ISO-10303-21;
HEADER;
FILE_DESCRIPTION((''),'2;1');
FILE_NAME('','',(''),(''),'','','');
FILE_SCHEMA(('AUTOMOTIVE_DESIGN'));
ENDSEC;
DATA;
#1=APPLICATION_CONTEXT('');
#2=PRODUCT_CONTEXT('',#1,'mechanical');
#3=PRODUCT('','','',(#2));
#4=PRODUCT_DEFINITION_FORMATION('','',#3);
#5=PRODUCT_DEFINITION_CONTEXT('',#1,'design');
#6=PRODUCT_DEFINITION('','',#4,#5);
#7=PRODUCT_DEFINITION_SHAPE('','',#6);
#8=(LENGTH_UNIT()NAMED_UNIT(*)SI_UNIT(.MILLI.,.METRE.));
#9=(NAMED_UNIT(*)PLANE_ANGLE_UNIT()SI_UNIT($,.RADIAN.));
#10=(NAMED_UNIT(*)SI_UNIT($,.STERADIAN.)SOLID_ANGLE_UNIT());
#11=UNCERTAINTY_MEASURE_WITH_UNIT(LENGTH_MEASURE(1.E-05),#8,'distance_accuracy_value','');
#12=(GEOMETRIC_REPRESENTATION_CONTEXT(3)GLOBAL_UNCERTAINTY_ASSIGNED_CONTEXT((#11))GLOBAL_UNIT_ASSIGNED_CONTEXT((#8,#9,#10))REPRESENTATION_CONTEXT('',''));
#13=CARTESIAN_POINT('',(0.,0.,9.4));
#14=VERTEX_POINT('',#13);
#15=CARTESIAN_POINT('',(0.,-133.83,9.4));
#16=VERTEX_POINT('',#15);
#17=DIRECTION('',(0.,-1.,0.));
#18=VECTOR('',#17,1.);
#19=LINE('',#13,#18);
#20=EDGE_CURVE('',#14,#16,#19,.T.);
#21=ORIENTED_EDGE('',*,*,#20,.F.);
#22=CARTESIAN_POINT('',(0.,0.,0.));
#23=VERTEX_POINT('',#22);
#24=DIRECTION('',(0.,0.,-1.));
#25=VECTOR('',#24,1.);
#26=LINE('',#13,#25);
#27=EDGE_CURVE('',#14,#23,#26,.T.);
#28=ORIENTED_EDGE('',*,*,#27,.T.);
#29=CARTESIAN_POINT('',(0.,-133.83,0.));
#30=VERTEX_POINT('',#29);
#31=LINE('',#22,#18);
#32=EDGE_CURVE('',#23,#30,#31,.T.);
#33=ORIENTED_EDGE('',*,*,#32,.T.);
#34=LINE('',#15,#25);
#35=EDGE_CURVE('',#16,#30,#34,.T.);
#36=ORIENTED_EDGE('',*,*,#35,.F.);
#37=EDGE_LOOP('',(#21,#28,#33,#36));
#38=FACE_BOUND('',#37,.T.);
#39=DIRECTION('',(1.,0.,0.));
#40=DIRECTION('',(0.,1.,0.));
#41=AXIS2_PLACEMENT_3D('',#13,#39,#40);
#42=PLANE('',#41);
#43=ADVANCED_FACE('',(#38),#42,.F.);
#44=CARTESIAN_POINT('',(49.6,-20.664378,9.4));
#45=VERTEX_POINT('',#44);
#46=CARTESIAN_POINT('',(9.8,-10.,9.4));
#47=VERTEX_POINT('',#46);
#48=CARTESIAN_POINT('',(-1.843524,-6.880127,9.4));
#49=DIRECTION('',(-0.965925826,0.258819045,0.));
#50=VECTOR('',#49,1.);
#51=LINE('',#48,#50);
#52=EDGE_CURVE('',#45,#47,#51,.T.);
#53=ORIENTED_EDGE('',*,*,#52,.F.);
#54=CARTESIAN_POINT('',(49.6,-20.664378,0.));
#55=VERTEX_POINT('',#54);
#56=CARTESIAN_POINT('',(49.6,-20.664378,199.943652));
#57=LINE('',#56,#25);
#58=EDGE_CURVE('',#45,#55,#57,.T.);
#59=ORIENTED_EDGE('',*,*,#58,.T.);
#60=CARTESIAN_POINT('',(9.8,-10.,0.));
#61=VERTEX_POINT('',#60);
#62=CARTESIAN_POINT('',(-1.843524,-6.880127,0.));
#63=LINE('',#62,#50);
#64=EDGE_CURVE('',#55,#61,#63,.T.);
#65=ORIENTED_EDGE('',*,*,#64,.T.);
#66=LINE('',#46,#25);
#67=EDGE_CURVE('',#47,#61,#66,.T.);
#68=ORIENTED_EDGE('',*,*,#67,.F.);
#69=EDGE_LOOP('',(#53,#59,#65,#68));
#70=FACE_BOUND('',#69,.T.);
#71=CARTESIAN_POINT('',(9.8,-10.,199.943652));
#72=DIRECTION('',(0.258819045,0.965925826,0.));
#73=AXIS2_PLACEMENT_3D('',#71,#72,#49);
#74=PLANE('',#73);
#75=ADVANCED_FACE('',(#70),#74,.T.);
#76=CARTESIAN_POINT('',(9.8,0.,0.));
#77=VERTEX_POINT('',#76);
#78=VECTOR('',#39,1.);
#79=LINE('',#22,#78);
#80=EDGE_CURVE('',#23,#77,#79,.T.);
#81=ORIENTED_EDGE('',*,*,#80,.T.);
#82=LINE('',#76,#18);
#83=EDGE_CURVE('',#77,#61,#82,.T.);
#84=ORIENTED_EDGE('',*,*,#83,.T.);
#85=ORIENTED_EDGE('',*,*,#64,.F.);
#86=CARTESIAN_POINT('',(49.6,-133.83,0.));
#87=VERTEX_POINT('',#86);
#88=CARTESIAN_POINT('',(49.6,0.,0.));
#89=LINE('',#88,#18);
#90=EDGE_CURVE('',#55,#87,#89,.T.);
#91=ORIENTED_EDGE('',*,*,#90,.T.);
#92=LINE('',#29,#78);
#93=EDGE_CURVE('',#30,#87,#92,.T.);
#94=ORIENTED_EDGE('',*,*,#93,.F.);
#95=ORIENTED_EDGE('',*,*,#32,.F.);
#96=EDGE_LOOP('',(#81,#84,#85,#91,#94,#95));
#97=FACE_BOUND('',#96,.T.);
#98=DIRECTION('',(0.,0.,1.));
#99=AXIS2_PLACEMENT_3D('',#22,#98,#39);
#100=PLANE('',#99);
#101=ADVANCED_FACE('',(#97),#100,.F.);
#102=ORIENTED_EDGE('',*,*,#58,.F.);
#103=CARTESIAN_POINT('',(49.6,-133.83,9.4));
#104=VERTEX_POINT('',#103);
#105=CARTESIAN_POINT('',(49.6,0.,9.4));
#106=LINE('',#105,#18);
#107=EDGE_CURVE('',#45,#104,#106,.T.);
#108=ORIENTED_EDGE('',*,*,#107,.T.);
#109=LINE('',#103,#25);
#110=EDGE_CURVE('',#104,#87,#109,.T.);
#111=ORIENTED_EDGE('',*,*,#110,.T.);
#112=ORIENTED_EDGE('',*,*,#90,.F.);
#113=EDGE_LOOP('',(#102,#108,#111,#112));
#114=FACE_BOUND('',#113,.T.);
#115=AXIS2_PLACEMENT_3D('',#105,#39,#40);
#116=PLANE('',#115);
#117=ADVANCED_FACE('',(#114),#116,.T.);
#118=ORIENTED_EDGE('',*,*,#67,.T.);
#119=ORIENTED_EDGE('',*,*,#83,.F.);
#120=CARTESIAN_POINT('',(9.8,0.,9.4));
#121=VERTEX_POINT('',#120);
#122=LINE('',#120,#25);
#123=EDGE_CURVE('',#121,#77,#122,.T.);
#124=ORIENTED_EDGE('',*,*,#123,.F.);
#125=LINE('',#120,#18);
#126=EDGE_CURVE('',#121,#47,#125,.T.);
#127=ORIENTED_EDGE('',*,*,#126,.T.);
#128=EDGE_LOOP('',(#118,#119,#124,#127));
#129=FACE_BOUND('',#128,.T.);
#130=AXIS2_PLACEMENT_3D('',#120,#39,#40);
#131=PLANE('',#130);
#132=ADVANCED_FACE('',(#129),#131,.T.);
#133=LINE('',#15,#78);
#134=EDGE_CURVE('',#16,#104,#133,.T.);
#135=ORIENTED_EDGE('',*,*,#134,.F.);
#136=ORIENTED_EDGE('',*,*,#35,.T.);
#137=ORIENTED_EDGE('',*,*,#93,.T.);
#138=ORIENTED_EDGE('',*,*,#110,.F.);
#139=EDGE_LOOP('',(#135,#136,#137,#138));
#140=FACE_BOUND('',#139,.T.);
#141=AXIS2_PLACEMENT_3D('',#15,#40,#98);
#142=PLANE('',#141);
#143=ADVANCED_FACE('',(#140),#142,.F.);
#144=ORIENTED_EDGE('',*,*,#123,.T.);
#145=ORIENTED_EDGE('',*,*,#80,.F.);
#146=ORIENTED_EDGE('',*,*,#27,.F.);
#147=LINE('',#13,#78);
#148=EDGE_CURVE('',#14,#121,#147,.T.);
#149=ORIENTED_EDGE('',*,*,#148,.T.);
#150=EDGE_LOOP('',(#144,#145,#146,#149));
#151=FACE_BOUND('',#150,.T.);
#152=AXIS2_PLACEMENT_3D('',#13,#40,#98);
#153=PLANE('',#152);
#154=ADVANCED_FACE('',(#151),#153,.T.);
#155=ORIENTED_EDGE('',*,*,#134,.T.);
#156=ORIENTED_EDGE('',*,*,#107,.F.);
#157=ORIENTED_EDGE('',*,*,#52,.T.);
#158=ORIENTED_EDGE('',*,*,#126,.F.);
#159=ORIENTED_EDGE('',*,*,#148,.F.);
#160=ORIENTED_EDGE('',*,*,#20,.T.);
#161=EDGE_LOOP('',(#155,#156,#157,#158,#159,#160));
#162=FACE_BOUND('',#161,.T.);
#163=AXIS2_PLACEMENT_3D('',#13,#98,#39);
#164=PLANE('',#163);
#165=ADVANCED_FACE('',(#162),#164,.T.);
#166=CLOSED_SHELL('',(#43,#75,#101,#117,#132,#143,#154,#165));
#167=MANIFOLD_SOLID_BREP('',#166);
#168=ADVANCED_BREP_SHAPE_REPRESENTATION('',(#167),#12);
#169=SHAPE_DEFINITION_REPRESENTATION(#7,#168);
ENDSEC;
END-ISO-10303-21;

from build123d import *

# Parameters (mm, degrees)
EXTRUDE_1_DEPTH          = 9.4
CUT_EXTRUDE_1_DEPTH      = 1
CUT_EXTRUDE_1_DEPTH_BACK = 10.4


with BuildPart() as part:
    # 草图1 → 凸台-拉伸1 (new body)
    with BuildSketch(Plane.XY):
        Polygon((9.8, 0), (0, 0), (0, -133.83), (49.6, -133.83), (49.6, 0), (39.8, 0), (39.8, -10), (9.8, -10), align=None)
    extrude(amount=EXTRUDE_1_DEPTH)

    # 草图2 → 切除-拉伸1 (cut, two sides)
    with BuildSketch(Plane.XY.offset(9.4)) as cut_extrude_1_sk:
        Polygon((39.8, -10), (9.8, -10), (49.6, -20.664377859), (49.6, 0), (39.8, 0), align=None)
    extrude(amount=CUT_EXTRUDE_1_DEPTH, mode=Mode.SUBTRACT)
    extrude(cut_extrude_1_sk.sketch, amount=-CUT_EXTRUDE_1_DEPTH_BACK, mode=Mode.SUBTRACT)


solid = part.part
